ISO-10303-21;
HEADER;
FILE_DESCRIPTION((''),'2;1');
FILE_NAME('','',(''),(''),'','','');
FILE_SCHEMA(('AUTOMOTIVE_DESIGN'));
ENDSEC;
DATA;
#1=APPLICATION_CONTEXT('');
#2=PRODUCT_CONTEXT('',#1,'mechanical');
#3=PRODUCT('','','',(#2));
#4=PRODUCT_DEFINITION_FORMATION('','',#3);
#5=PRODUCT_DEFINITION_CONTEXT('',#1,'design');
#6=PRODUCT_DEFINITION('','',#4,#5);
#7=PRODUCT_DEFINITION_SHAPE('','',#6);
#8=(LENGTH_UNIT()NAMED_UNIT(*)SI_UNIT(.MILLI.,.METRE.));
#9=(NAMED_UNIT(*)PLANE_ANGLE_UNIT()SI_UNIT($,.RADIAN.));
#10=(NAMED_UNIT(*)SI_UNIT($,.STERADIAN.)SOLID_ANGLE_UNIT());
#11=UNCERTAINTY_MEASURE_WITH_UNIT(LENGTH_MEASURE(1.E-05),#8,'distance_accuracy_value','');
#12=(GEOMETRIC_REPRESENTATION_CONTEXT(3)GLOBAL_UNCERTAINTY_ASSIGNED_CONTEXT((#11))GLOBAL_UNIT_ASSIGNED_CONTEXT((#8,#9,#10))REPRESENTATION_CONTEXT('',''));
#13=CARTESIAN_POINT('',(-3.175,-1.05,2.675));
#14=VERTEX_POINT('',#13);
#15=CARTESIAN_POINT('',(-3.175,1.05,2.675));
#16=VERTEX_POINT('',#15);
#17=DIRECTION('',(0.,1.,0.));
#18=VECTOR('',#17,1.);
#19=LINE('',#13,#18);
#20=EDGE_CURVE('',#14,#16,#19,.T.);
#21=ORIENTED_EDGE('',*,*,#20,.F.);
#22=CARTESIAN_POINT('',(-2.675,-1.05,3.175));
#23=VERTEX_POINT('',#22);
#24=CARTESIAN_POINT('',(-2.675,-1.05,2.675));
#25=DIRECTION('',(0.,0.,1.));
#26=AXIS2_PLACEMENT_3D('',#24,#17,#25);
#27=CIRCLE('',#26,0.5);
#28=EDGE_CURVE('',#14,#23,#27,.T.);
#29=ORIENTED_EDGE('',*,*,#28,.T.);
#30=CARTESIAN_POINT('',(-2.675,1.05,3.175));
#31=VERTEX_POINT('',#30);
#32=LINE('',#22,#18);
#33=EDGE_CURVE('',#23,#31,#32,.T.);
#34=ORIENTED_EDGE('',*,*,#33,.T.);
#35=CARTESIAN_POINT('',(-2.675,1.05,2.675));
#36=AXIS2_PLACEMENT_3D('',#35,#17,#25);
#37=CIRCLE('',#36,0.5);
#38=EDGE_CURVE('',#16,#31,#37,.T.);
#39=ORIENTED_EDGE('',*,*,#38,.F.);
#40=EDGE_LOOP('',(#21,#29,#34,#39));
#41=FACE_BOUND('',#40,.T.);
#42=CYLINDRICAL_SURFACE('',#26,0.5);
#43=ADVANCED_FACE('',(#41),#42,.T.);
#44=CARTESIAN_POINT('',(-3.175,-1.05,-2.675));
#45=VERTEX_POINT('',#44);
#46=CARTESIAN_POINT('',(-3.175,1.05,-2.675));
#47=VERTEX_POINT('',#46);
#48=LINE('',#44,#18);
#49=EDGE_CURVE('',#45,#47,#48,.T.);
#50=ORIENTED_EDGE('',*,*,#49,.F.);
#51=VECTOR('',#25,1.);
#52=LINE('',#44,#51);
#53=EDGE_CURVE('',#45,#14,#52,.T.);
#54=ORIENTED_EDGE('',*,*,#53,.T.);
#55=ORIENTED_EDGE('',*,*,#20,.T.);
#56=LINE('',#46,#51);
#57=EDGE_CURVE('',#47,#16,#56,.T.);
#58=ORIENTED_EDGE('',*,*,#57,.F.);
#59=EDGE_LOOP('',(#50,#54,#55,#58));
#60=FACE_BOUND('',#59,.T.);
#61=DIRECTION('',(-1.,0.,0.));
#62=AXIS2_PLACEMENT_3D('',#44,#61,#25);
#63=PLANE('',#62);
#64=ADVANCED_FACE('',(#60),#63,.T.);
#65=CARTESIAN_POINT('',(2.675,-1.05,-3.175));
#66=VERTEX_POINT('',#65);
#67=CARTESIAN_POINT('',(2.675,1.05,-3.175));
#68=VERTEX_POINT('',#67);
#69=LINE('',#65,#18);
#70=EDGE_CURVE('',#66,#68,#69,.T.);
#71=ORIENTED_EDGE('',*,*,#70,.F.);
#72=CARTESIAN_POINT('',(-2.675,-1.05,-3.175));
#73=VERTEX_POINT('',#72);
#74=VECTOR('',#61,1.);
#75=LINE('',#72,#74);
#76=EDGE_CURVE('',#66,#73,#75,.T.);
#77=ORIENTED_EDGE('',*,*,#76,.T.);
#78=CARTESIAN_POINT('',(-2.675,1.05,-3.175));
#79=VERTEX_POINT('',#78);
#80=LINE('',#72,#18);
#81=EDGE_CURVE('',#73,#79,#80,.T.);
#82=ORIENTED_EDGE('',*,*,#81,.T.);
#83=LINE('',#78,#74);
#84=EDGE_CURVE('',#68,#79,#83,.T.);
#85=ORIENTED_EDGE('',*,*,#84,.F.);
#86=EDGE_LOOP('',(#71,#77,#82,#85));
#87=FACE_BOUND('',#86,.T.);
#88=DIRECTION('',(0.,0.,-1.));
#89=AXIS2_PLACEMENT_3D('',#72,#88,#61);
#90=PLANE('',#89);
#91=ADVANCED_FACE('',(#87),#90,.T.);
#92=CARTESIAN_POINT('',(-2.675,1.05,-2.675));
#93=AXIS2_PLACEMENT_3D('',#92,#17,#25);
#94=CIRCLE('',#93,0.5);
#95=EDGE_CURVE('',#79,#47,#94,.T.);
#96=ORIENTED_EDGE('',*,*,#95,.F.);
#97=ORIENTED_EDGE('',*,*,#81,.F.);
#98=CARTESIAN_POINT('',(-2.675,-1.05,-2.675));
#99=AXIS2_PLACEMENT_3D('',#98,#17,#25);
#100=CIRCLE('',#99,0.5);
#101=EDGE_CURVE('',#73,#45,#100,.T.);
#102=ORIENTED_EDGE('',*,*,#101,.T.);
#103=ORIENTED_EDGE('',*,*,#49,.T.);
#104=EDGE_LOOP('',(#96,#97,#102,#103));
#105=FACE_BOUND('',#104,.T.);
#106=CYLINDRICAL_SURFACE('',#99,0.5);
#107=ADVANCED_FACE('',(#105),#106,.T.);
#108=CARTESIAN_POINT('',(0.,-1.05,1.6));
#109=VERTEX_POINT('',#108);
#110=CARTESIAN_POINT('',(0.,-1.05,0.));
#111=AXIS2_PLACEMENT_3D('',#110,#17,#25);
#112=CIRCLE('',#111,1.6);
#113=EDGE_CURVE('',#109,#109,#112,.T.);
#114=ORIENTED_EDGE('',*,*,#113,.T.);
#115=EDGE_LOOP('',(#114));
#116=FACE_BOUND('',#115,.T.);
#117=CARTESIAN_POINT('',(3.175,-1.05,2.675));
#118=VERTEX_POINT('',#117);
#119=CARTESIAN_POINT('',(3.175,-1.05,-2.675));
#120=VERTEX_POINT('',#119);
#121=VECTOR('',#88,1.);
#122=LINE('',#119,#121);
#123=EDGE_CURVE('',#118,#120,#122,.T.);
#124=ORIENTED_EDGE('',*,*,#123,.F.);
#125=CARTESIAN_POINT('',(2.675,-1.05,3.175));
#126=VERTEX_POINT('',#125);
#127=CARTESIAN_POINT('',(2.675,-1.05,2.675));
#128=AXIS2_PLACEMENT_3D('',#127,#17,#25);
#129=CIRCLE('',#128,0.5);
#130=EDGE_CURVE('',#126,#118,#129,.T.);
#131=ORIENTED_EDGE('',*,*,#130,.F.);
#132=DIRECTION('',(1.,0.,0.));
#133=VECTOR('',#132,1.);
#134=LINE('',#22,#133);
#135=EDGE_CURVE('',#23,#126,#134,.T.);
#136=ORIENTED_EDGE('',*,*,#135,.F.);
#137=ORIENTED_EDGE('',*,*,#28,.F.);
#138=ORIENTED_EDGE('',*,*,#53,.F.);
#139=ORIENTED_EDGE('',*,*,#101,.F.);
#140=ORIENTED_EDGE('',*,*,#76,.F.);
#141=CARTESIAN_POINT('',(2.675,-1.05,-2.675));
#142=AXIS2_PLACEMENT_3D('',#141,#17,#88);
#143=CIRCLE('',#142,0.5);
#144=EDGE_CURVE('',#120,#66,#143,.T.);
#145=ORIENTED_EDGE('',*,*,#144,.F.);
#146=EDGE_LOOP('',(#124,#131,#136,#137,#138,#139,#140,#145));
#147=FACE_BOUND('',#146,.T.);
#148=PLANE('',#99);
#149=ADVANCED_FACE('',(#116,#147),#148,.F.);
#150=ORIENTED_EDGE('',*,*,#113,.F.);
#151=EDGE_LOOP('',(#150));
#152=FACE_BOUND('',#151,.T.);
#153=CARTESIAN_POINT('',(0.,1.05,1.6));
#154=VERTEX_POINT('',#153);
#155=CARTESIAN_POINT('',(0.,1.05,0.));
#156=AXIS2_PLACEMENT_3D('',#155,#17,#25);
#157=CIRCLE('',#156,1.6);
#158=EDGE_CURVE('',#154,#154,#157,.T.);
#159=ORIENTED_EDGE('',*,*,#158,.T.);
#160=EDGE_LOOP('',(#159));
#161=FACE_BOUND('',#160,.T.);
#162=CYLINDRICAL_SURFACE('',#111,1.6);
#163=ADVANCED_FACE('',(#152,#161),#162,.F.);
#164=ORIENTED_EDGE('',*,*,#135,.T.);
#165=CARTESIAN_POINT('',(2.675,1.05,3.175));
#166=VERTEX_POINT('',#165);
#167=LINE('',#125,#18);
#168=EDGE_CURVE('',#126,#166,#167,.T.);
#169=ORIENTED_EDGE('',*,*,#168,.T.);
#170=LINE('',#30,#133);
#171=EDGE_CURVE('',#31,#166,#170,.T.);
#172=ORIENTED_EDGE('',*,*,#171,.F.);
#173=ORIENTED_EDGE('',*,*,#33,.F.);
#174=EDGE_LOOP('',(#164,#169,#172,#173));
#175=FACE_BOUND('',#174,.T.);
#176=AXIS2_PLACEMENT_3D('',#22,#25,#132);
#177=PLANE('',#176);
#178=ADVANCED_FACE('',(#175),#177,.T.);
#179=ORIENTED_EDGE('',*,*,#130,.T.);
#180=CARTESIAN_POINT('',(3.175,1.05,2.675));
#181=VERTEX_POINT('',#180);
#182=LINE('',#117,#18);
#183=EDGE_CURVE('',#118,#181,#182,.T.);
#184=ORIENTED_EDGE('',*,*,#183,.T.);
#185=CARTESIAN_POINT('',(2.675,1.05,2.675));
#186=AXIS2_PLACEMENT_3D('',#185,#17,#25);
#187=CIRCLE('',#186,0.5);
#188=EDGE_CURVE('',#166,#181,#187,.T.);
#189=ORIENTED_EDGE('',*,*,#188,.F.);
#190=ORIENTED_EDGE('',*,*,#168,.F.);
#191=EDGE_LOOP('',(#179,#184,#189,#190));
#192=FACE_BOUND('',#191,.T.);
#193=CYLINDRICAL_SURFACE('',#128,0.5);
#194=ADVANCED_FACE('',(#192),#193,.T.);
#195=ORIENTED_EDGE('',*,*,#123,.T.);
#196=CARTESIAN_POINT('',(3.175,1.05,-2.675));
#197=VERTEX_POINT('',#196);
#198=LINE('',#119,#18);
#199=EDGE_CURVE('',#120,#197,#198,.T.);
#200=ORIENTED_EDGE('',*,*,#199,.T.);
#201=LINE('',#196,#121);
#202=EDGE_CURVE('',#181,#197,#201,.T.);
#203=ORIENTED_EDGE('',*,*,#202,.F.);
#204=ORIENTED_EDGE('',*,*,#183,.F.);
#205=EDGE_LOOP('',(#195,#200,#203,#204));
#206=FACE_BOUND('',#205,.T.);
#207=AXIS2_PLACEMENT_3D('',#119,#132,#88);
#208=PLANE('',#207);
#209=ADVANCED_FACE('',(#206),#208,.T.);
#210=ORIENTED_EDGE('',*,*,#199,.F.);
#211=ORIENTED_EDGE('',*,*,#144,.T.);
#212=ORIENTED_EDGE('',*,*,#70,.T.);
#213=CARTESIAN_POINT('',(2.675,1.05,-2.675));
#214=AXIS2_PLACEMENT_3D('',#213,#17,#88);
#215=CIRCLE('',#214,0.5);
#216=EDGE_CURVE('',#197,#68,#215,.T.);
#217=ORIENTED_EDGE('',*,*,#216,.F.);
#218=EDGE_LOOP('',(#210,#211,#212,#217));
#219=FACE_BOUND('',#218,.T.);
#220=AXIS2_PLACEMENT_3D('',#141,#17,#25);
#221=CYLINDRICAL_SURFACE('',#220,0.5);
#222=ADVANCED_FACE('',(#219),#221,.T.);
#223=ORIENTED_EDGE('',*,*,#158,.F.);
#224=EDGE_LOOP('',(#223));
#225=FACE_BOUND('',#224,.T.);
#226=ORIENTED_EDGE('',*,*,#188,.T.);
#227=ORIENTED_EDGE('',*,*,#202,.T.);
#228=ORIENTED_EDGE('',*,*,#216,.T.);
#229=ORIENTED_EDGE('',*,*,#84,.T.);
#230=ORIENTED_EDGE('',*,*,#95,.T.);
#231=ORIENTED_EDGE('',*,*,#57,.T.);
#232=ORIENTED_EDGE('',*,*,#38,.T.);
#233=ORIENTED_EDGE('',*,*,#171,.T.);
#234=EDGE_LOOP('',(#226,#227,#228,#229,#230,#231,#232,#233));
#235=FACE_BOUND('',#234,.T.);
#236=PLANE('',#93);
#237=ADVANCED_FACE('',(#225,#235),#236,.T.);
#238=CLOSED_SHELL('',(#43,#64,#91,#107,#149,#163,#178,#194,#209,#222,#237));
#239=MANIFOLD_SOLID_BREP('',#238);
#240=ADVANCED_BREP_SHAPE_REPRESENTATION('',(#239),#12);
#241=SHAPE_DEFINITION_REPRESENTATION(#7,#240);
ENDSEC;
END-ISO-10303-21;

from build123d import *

# Parameters (mm, degrees)
BOSS_EXTRUDE1_DEPTH      = 1.05
BOSS_EXTRUDE1_DEPTH_BACK = 1.05
SKETCH1_R                = 1.6


with BuildPart() as part:
    # Sketch1 → Boss-Extrude1 (new, two sides: drawn at the far end of the back side and taken through both)
    with BuildSketch(Plane(origin=(0, 0, 0), x_dir=(1, 0, 0), z_dir=(0, 1, 0)).offset(-BOSS_EXTRUDE1_DEPTH_BACK)):
        with BuildLine():
            Line((-2.675, 3.175), (2.675, 3.175))
            ThreePointArc((2.675, 3.175), (3.028553391, 3.028553391), (3.175, 2.675))
            Line((3.175, 2.675), (3.175, -2.675))
            ThreePointArc((3.175, -2.675), (3.028553391, -3.028553391), (2.675, -3.175))
            Line((2.675, -3.175), (-2.675, -3.175))
            ThreePointArc((-2.675, -3.175), (-3.028553391, -3.028553391), (-3.175, -2.675))
            Line((-3.175, -2.675), (-3.175, 2.675))
            ThreePointArc((-3.175, 2.675), (-3.028553391, 3.028553391), (-2.675, 3.175))
        make_face()
        Circle(SKETCH1_R, mode=Mode.SUBTRACT)
    extrude(amount=BOSS_EXTRUDE1_DEPTH + BOSS_EXTRUDE1_DEPTH_BACK)


solid = part.part
